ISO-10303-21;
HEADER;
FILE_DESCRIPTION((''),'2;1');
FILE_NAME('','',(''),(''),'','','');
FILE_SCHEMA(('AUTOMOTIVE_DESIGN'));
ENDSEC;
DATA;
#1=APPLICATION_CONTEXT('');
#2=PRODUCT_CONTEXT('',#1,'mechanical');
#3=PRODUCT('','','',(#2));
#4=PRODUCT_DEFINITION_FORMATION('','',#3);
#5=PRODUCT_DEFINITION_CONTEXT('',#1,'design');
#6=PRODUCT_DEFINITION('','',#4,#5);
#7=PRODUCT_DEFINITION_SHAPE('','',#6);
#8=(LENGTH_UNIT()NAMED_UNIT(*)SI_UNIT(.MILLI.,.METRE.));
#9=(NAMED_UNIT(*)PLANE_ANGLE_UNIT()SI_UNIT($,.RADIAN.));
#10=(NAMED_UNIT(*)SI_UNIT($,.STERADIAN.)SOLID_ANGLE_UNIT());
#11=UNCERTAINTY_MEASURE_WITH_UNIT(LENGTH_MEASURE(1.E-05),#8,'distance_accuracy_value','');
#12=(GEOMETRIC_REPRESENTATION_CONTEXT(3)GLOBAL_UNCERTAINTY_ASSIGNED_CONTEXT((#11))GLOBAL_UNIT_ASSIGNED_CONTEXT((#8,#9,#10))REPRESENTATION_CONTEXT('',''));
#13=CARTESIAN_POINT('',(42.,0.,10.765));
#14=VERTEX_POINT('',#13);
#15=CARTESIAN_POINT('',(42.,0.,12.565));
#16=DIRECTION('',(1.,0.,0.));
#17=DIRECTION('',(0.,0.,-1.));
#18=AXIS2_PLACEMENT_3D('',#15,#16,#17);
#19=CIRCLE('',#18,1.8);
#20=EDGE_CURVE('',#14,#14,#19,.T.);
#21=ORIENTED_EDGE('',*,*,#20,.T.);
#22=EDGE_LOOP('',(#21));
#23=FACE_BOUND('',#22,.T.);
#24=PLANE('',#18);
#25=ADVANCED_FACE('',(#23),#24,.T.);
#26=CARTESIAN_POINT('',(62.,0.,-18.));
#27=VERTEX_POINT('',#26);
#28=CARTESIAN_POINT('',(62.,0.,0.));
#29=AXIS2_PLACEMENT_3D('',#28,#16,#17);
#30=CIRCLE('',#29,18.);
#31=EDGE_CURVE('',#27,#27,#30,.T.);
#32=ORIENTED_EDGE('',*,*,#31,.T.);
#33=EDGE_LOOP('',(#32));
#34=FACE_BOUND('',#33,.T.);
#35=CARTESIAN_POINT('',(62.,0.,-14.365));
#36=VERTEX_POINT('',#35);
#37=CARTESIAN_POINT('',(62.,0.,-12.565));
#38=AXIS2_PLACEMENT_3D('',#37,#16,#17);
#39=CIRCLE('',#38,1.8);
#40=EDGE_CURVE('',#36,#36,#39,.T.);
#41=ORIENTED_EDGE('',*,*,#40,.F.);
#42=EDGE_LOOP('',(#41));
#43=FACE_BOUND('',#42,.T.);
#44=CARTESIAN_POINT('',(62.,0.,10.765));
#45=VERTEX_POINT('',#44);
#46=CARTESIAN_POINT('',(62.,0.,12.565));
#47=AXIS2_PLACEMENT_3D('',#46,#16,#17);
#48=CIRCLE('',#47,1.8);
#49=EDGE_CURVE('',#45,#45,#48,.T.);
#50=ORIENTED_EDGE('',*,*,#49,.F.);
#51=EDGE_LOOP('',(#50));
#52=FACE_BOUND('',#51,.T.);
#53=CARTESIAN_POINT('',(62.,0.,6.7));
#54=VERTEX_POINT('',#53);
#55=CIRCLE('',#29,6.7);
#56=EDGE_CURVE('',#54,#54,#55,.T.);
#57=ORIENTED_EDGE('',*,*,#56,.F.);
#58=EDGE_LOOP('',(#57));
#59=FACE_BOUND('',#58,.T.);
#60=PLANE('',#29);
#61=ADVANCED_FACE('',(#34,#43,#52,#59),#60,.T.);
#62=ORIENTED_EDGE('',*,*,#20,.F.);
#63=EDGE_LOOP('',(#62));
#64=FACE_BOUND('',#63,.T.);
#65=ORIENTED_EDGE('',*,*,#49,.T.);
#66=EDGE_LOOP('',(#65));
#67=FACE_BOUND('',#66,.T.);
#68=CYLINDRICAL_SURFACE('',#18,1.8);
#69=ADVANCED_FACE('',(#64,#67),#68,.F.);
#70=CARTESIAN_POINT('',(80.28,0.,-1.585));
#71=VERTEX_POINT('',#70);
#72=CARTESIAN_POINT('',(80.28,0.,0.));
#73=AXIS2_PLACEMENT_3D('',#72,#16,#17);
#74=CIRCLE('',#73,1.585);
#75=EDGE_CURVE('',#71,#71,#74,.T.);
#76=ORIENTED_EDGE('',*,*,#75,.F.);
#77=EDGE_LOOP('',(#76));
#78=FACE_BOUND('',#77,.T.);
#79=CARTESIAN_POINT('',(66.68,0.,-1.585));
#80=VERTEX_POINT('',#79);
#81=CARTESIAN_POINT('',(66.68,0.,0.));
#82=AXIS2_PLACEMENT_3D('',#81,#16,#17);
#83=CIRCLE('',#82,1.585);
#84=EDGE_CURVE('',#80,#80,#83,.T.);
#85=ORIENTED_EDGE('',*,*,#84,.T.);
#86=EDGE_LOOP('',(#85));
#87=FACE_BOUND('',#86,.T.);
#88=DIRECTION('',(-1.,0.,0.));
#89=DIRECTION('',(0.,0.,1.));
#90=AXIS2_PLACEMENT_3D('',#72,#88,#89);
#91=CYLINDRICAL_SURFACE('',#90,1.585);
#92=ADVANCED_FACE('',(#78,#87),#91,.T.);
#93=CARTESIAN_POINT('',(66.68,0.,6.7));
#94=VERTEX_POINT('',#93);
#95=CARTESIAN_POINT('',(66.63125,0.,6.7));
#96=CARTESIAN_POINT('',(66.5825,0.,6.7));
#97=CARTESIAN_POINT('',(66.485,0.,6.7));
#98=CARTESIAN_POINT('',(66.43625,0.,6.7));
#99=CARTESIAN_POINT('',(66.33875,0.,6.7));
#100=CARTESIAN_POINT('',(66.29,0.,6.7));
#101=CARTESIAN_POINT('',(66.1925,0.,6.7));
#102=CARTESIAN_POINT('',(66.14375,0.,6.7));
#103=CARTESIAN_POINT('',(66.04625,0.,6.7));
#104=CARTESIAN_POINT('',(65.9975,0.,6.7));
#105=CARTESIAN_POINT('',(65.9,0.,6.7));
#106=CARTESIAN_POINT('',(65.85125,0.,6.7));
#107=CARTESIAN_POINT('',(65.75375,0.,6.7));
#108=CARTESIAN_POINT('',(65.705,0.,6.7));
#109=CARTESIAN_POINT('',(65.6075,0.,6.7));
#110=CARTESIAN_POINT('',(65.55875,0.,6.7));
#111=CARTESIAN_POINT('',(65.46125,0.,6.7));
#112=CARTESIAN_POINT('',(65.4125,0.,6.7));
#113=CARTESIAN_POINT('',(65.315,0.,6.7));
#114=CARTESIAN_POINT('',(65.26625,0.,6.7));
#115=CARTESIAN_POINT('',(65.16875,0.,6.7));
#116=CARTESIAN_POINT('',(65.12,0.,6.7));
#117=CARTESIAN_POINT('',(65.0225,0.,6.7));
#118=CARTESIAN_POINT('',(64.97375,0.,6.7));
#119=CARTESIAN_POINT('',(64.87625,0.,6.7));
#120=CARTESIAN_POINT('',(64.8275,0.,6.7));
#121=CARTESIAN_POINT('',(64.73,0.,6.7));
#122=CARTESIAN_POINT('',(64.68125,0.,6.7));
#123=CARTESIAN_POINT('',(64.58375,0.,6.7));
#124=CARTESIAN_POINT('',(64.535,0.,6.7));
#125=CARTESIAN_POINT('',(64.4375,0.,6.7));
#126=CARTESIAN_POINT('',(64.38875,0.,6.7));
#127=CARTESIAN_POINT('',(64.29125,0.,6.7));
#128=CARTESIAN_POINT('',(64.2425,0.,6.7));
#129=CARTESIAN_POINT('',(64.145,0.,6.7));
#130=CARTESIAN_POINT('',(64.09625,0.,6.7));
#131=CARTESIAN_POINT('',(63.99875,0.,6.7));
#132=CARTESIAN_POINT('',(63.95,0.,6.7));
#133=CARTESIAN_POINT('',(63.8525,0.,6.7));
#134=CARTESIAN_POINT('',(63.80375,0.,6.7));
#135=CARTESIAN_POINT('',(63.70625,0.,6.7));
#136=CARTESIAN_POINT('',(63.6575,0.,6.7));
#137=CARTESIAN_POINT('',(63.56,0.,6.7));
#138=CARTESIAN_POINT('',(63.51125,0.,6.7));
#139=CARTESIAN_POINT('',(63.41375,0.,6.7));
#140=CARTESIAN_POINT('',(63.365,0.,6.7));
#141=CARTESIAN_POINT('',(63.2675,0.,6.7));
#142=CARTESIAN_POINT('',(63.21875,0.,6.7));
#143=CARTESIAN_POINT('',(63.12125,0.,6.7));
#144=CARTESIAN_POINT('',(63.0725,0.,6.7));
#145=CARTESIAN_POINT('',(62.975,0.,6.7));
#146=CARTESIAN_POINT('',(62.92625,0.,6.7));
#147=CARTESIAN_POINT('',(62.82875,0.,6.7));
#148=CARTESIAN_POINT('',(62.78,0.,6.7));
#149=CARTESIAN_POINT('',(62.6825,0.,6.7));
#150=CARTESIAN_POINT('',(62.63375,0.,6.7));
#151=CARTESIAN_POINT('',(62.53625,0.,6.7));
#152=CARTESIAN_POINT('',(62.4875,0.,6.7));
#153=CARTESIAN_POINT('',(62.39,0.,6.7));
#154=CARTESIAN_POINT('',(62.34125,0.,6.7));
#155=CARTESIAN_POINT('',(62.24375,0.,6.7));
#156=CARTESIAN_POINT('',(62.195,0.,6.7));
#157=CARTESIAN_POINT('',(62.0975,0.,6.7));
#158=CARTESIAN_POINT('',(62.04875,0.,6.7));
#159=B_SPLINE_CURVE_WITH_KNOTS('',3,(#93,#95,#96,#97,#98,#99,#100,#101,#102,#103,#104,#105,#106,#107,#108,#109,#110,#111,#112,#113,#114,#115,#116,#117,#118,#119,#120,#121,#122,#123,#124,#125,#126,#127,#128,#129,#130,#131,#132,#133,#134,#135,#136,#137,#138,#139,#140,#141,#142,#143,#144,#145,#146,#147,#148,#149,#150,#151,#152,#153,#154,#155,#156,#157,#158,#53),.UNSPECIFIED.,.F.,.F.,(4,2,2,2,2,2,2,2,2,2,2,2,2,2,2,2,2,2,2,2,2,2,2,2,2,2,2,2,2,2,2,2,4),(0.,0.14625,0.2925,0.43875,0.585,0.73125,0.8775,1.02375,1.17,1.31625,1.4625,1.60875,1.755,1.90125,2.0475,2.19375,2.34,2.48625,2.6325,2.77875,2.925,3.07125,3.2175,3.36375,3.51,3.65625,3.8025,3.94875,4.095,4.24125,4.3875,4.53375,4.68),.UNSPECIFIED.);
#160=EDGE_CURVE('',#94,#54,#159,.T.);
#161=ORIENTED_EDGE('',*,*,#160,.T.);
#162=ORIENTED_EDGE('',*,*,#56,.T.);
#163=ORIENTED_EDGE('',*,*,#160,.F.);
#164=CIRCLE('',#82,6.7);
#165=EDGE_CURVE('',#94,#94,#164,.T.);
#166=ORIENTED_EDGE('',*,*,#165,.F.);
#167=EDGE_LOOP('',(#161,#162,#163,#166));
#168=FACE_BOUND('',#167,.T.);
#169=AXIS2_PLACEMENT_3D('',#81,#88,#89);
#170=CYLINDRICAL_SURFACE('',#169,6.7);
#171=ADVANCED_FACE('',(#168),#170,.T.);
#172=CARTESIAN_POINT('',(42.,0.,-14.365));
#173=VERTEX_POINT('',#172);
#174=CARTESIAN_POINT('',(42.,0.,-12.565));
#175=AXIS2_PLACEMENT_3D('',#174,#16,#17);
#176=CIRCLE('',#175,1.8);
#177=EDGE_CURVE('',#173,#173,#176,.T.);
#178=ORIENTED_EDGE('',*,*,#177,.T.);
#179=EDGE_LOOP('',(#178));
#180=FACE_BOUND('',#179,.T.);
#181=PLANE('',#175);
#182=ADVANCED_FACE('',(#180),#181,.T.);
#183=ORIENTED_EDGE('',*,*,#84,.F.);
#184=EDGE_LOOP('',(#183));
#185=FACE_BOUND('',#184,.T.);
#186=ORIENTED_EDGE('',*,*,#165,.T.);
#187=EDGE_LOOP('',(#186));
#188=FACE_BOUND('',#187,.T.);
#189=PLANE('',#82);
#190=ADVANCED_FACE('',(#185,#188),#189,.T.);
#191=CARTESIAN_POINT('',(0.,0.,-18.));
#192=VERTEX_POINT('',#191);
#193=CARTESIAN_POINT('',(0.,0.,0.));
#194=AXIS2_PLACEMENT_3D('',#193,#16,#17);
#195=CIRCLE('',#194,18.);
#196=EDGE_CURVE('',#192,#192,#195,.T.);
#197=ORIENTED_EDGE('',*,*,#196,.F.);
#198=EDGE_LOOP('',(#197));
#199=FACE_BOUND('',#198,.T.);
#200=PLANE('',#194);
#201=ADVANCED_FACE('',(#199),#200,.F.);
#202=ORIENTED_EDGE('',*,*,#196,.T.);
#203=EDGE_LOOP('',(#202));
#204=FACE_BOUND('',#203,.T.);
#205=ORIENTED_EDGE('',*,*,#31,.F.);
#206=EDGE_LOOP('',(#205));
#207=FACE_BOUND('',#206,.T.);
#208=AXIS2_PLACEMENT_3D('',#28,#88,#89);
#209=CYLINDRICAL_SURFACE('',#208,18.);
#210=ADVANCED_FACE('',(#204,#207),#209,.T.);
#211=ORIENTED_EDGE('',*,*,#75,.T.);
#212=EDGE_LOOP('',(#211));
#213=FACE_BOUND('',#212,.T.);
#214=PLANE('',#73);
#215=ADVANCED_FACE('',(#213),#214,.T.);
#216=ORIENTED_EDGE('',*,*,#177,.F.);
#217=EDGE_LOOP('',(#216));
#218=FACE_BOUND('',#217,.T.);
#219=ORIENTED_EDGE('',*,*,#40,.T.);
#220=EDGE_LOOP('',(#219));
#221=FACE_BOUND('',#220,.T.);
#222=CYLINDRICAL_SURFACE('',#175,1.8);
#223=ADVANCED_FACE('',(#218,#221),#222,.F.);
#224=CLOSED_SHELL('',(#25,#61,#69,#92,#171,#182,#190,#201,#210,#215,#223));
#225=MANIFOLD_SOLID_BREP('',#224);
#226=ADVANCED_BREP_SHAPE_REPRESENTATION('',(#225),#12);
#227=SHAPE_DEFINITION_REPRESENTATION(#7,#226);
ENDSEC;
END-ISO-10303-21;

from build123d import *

# Parameters (mm, degrees)
SKETCH1_R           = 18
BOSS_EXTRUDE1_DEPTH = 62
SKETCH2_R           = 6.7
BOSS_EXTRUDE2_DEPTH = 4.68
SKETCH3_R           = 1.585
BOSS_EXTRUDE3_DEPTH = 13.6
SKETCH4_R           = 1.8
CUT_EXTRUDE1_DEPTH  = 20


with BuildPart() as part:
    # Sketch1 → Boss-Extrude1 (new body)
    with BuildSketch(Plane(origin=(0, 0, 0), x_dir=(0, 0, -1), z_dir=(1, 0, 0))):
        Circle(SKETCH1_R)
    extrude(amount=BOSS_EXTRUDE1_DEPTH)

    # Sketch2 → Boss-Extrude2 (add)
    with BuildSketch(Plane(origin=(62, 0, 0), x_dir=(0, 0, -1), z_dir=(1, 0, 0))):
        with Locations(Location((0, 0, 0), (0, 0, 180))):
            Circle(SKETCH2_R)
    extrude(amount=BOSS_EXTRUDE2_DEPTH)

    # Sketch3 → Boss-Extrude3 (add)
    with BuildSketch(Plane(origin=(66.68, 0, 0), x_dir=(0, 0, -1), z_dir=(1, 0, 0))):
        Circle(SKETCH3_R)
    extrude(amount=BOSS_EXTRUDE3_DEPTH)

    # Sketch4 → Cut-Extrude1 (cut)
    with BuildSketch(Plane(origin=(62, 0, 0), x_dir=(0, 0, -1), z_dir=(1, 0, 0))):
        with Locations((-12.565, 0)):
            Circle(SKETCH4_R)
        with Locations((12.565, 0)):
            Circle(SKETCH4_R)
    extrude(amount=-CUT_EXTRUDE1_DEPTH, mode=Mode.SUBTRACT)


solid = part.part
